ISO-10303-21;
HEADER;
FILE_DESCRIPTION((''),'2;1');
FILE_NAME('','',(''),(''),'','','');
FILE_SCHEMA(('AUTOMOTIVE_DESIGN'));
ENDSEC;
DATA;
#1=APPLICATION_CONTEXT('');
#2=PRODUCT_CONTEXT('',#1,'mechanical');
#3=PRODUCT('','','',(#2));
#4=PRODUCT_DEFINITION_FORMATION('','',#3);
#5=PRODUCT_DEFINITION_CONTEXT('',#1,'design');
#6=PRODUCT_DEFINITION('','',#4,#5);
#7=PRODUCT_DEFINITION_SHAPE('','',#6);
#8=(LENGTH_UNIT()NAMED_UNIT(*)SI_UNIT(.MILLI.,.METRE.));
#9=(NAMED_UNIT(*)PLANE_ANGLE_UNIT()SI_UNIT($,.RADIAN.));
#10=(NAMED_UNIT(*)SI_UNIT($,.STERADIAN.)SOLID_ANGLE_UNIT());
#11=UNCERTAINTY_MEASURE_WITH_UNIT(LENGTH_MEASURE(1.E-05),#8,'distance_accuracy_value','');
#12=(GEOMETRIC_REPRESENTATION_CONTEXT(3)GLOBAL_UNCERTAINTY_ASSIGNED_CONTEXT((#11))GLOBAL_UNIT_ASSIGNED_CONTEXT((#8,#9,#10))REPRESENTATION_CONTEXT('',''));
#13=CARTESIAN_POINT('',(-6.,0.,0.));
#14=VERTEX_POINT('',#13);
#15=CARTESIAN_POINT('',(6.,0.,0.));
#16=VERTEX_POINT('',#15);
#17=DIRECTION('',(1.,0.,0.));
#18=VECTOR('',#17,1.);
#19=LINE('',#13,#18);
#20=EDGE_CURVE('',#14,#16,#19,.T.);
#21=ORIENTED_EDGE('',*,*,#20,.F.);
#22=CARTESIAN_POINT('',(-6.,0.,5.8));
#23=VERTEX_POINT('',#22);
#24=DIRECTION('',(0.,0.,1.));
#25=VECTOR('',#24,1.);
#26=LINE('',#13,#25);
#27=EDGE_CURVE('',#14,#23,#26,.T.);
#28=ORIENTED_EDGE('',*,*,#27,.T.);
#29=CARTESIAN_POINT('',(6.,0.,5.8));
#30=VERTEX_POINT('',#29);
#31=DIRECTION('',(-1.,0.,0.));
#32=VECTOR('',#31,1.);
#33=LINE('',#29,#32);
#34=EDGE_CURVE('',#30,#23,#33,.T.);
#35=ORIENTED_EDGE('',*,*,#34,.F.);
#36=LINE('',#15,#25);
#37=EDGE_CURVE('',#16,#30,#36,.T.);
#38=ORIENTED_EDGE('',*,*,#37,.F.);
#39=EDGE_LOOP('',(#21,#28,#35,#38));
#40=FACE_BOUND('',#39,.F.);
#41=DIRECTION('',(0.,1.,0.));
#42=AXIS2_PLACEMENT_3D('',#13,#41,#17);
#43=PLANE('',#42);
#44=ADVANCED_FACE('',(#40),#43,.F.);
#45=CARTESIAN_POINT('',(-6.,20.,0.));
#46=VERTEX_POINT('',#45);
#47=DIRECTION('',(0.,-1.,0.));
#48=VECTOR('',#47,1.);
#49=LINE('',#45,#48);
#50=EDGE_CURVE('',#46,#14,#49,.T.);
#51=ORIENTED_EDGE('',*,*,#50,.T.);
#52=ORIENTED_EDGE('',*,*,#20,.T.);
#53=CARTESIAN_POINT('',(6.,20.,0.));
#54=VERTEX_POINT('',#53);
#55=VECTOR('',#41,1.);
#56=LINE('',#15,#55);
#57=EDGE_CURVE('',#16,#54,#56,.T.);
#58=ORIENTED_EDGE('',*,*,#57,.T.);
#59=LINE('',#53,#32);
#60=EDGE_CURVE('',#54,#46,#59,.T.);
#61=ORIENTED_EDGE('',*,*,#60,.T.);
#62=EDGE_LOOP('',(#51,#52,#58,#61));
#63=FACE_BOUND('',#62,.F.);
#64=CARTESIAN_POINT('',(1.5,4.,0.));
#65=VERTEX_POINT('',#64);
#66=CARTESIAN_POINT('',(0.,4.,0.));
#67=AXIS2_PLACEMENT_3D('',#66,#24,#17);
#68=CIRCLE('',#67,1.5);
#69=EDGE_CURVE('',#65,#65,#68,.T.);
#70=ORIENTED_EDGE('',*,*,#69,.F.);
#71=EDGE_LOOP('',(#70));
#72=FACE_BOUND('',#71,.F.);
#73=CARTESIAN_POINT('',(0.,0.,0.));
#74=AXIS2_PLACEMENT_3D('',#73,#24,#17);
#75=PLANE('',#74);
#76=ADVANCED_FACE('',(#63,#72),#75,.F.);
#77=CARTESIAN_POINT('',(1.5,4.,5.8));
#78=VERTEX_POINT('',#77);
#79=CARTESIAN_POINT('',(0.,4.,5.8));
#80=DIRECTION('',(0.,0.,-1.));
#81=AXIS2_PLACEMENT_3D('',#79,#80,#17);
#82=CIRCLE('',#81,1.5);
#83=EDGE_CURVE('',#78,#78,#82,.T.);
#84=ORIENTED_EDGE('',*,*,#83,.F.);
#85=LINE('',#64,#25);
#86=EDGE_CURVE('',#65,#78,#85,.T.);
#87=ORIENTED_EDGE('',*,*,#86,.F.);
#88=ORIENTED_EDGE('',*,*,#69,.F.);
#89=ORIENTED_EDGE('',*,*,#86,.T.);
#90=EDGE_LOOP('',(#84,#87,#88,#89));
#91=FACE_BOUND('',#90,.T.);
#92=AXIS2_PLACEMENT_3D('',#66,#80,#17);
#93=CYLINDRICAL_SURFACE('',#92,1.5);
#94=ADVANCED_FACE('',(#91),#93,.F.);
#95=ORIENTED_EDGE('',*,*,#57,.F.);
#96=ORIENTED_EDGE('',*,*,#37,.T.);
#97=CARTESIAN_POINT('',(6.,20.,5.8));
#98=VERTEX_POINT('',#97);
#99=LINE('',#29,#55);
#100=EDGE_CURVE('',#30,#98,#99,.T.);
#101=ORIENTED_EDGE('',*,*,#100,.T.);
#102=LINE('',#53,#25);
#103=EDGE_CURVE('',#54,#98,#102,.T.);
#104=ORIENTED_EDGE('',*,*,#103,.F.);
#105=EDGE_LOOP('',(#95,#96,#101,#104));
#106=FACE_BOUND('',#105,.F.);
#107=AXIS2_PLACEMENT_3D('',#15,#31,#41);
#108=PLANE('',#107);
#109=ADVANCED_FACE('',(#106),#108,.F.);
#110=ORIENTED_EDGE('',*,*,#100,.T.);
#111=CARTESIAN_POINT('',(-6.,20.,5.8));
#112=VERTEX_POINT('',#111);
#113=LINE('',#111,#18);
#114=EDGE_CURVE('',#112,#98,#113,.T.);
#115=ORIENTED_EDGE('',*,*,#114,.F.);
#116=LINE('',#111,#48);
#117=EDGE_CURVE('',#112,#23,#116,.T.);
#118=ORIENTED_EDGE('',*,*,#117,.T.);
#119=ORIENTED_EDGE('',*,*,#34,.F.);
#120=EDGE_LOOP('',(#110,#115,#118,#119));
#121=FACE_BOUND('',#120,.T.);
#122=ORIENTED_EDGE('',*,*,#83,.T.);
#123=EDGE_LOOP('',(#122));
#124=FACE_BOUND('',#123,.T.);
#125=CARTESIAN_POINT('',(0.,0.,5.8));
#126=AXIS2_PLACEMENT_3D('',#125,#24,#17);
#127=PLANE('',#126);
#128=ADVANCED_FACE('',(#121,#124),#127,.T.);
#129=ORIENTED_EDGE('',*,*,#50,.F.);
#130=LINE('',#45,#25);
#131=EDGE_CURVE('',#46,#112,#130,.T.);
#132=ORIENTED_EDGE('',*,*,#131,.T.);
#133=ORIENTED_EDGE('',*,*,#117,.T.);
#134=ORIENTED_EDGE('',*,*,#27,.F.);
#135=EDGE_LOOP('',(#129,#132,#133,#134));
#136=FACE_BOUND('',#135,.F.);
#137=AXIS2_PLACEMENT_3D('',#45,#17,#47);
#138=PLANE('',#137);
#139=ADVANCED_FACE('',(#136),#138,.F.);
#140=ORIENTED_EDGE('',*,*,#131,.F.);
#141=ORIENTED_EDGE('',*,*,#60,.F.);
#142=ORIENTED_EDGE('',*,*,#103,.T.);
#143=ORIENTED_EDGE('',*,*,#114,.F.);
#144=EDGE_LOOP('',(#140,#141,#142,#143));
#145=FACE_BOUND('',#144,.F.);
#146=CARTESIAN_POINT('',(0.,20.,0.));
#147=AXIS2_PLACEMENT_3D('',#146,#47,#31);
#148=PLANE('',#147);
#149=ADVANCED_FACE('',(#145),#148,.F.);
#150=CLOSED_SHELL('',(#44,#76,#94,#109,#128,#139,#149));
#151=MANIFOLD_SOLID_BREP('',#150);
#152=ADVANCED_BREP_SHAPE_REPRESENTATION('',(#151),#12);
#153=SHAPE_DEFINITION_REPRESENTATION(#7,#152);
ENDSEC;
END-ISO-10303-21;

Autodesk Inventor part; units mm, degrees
ref_plane "YZ Plane" through (0, 0, 0) normal (1, 0, 0) x (0, 1, 0)
ref_plane "XZ Plane" through (0, 0, 0) normal (0, 1, 0) x (-1, 0, 0)
ref_plane "XY Plane" through (0, 0, 0) normal (0, 0, 1) x (1, 0, 0)
sketch "Sketch1" plane through (0, 0, 0) normal (0, 0, 1) x (1, 0, 0)
  line L0 (-8.4, 0) -> (8.4, 0) projected
  line L1 (0, -4) -> (0, 24) projected
  line L2 (-6, 0) -> (6, 0)
  line L3 (6, 0) -> (6, 20)
  line L4 (6, 20) -> (-6, 20)
  line L5 (-6, 20) -> (-6, 0)
  circle A0 centre (0, 4) radius 1.5
  point P0 (0, 0)
  dimension "d0" = 12
  dimension "d1" = 6
  dimension "d2" = 20
  dimension "d3" = 3
  dimension "d4" = 4
extrude "Extrusion1" add sketch "Sketch1" along normal blind 5.8 contours L5 L4 L1 A0 L0 | L1 A0 L4 L3 L0
equation "\"d1\" = 0.5 * d0"
properties part number "Acrylic_5.8_cameraMount"
